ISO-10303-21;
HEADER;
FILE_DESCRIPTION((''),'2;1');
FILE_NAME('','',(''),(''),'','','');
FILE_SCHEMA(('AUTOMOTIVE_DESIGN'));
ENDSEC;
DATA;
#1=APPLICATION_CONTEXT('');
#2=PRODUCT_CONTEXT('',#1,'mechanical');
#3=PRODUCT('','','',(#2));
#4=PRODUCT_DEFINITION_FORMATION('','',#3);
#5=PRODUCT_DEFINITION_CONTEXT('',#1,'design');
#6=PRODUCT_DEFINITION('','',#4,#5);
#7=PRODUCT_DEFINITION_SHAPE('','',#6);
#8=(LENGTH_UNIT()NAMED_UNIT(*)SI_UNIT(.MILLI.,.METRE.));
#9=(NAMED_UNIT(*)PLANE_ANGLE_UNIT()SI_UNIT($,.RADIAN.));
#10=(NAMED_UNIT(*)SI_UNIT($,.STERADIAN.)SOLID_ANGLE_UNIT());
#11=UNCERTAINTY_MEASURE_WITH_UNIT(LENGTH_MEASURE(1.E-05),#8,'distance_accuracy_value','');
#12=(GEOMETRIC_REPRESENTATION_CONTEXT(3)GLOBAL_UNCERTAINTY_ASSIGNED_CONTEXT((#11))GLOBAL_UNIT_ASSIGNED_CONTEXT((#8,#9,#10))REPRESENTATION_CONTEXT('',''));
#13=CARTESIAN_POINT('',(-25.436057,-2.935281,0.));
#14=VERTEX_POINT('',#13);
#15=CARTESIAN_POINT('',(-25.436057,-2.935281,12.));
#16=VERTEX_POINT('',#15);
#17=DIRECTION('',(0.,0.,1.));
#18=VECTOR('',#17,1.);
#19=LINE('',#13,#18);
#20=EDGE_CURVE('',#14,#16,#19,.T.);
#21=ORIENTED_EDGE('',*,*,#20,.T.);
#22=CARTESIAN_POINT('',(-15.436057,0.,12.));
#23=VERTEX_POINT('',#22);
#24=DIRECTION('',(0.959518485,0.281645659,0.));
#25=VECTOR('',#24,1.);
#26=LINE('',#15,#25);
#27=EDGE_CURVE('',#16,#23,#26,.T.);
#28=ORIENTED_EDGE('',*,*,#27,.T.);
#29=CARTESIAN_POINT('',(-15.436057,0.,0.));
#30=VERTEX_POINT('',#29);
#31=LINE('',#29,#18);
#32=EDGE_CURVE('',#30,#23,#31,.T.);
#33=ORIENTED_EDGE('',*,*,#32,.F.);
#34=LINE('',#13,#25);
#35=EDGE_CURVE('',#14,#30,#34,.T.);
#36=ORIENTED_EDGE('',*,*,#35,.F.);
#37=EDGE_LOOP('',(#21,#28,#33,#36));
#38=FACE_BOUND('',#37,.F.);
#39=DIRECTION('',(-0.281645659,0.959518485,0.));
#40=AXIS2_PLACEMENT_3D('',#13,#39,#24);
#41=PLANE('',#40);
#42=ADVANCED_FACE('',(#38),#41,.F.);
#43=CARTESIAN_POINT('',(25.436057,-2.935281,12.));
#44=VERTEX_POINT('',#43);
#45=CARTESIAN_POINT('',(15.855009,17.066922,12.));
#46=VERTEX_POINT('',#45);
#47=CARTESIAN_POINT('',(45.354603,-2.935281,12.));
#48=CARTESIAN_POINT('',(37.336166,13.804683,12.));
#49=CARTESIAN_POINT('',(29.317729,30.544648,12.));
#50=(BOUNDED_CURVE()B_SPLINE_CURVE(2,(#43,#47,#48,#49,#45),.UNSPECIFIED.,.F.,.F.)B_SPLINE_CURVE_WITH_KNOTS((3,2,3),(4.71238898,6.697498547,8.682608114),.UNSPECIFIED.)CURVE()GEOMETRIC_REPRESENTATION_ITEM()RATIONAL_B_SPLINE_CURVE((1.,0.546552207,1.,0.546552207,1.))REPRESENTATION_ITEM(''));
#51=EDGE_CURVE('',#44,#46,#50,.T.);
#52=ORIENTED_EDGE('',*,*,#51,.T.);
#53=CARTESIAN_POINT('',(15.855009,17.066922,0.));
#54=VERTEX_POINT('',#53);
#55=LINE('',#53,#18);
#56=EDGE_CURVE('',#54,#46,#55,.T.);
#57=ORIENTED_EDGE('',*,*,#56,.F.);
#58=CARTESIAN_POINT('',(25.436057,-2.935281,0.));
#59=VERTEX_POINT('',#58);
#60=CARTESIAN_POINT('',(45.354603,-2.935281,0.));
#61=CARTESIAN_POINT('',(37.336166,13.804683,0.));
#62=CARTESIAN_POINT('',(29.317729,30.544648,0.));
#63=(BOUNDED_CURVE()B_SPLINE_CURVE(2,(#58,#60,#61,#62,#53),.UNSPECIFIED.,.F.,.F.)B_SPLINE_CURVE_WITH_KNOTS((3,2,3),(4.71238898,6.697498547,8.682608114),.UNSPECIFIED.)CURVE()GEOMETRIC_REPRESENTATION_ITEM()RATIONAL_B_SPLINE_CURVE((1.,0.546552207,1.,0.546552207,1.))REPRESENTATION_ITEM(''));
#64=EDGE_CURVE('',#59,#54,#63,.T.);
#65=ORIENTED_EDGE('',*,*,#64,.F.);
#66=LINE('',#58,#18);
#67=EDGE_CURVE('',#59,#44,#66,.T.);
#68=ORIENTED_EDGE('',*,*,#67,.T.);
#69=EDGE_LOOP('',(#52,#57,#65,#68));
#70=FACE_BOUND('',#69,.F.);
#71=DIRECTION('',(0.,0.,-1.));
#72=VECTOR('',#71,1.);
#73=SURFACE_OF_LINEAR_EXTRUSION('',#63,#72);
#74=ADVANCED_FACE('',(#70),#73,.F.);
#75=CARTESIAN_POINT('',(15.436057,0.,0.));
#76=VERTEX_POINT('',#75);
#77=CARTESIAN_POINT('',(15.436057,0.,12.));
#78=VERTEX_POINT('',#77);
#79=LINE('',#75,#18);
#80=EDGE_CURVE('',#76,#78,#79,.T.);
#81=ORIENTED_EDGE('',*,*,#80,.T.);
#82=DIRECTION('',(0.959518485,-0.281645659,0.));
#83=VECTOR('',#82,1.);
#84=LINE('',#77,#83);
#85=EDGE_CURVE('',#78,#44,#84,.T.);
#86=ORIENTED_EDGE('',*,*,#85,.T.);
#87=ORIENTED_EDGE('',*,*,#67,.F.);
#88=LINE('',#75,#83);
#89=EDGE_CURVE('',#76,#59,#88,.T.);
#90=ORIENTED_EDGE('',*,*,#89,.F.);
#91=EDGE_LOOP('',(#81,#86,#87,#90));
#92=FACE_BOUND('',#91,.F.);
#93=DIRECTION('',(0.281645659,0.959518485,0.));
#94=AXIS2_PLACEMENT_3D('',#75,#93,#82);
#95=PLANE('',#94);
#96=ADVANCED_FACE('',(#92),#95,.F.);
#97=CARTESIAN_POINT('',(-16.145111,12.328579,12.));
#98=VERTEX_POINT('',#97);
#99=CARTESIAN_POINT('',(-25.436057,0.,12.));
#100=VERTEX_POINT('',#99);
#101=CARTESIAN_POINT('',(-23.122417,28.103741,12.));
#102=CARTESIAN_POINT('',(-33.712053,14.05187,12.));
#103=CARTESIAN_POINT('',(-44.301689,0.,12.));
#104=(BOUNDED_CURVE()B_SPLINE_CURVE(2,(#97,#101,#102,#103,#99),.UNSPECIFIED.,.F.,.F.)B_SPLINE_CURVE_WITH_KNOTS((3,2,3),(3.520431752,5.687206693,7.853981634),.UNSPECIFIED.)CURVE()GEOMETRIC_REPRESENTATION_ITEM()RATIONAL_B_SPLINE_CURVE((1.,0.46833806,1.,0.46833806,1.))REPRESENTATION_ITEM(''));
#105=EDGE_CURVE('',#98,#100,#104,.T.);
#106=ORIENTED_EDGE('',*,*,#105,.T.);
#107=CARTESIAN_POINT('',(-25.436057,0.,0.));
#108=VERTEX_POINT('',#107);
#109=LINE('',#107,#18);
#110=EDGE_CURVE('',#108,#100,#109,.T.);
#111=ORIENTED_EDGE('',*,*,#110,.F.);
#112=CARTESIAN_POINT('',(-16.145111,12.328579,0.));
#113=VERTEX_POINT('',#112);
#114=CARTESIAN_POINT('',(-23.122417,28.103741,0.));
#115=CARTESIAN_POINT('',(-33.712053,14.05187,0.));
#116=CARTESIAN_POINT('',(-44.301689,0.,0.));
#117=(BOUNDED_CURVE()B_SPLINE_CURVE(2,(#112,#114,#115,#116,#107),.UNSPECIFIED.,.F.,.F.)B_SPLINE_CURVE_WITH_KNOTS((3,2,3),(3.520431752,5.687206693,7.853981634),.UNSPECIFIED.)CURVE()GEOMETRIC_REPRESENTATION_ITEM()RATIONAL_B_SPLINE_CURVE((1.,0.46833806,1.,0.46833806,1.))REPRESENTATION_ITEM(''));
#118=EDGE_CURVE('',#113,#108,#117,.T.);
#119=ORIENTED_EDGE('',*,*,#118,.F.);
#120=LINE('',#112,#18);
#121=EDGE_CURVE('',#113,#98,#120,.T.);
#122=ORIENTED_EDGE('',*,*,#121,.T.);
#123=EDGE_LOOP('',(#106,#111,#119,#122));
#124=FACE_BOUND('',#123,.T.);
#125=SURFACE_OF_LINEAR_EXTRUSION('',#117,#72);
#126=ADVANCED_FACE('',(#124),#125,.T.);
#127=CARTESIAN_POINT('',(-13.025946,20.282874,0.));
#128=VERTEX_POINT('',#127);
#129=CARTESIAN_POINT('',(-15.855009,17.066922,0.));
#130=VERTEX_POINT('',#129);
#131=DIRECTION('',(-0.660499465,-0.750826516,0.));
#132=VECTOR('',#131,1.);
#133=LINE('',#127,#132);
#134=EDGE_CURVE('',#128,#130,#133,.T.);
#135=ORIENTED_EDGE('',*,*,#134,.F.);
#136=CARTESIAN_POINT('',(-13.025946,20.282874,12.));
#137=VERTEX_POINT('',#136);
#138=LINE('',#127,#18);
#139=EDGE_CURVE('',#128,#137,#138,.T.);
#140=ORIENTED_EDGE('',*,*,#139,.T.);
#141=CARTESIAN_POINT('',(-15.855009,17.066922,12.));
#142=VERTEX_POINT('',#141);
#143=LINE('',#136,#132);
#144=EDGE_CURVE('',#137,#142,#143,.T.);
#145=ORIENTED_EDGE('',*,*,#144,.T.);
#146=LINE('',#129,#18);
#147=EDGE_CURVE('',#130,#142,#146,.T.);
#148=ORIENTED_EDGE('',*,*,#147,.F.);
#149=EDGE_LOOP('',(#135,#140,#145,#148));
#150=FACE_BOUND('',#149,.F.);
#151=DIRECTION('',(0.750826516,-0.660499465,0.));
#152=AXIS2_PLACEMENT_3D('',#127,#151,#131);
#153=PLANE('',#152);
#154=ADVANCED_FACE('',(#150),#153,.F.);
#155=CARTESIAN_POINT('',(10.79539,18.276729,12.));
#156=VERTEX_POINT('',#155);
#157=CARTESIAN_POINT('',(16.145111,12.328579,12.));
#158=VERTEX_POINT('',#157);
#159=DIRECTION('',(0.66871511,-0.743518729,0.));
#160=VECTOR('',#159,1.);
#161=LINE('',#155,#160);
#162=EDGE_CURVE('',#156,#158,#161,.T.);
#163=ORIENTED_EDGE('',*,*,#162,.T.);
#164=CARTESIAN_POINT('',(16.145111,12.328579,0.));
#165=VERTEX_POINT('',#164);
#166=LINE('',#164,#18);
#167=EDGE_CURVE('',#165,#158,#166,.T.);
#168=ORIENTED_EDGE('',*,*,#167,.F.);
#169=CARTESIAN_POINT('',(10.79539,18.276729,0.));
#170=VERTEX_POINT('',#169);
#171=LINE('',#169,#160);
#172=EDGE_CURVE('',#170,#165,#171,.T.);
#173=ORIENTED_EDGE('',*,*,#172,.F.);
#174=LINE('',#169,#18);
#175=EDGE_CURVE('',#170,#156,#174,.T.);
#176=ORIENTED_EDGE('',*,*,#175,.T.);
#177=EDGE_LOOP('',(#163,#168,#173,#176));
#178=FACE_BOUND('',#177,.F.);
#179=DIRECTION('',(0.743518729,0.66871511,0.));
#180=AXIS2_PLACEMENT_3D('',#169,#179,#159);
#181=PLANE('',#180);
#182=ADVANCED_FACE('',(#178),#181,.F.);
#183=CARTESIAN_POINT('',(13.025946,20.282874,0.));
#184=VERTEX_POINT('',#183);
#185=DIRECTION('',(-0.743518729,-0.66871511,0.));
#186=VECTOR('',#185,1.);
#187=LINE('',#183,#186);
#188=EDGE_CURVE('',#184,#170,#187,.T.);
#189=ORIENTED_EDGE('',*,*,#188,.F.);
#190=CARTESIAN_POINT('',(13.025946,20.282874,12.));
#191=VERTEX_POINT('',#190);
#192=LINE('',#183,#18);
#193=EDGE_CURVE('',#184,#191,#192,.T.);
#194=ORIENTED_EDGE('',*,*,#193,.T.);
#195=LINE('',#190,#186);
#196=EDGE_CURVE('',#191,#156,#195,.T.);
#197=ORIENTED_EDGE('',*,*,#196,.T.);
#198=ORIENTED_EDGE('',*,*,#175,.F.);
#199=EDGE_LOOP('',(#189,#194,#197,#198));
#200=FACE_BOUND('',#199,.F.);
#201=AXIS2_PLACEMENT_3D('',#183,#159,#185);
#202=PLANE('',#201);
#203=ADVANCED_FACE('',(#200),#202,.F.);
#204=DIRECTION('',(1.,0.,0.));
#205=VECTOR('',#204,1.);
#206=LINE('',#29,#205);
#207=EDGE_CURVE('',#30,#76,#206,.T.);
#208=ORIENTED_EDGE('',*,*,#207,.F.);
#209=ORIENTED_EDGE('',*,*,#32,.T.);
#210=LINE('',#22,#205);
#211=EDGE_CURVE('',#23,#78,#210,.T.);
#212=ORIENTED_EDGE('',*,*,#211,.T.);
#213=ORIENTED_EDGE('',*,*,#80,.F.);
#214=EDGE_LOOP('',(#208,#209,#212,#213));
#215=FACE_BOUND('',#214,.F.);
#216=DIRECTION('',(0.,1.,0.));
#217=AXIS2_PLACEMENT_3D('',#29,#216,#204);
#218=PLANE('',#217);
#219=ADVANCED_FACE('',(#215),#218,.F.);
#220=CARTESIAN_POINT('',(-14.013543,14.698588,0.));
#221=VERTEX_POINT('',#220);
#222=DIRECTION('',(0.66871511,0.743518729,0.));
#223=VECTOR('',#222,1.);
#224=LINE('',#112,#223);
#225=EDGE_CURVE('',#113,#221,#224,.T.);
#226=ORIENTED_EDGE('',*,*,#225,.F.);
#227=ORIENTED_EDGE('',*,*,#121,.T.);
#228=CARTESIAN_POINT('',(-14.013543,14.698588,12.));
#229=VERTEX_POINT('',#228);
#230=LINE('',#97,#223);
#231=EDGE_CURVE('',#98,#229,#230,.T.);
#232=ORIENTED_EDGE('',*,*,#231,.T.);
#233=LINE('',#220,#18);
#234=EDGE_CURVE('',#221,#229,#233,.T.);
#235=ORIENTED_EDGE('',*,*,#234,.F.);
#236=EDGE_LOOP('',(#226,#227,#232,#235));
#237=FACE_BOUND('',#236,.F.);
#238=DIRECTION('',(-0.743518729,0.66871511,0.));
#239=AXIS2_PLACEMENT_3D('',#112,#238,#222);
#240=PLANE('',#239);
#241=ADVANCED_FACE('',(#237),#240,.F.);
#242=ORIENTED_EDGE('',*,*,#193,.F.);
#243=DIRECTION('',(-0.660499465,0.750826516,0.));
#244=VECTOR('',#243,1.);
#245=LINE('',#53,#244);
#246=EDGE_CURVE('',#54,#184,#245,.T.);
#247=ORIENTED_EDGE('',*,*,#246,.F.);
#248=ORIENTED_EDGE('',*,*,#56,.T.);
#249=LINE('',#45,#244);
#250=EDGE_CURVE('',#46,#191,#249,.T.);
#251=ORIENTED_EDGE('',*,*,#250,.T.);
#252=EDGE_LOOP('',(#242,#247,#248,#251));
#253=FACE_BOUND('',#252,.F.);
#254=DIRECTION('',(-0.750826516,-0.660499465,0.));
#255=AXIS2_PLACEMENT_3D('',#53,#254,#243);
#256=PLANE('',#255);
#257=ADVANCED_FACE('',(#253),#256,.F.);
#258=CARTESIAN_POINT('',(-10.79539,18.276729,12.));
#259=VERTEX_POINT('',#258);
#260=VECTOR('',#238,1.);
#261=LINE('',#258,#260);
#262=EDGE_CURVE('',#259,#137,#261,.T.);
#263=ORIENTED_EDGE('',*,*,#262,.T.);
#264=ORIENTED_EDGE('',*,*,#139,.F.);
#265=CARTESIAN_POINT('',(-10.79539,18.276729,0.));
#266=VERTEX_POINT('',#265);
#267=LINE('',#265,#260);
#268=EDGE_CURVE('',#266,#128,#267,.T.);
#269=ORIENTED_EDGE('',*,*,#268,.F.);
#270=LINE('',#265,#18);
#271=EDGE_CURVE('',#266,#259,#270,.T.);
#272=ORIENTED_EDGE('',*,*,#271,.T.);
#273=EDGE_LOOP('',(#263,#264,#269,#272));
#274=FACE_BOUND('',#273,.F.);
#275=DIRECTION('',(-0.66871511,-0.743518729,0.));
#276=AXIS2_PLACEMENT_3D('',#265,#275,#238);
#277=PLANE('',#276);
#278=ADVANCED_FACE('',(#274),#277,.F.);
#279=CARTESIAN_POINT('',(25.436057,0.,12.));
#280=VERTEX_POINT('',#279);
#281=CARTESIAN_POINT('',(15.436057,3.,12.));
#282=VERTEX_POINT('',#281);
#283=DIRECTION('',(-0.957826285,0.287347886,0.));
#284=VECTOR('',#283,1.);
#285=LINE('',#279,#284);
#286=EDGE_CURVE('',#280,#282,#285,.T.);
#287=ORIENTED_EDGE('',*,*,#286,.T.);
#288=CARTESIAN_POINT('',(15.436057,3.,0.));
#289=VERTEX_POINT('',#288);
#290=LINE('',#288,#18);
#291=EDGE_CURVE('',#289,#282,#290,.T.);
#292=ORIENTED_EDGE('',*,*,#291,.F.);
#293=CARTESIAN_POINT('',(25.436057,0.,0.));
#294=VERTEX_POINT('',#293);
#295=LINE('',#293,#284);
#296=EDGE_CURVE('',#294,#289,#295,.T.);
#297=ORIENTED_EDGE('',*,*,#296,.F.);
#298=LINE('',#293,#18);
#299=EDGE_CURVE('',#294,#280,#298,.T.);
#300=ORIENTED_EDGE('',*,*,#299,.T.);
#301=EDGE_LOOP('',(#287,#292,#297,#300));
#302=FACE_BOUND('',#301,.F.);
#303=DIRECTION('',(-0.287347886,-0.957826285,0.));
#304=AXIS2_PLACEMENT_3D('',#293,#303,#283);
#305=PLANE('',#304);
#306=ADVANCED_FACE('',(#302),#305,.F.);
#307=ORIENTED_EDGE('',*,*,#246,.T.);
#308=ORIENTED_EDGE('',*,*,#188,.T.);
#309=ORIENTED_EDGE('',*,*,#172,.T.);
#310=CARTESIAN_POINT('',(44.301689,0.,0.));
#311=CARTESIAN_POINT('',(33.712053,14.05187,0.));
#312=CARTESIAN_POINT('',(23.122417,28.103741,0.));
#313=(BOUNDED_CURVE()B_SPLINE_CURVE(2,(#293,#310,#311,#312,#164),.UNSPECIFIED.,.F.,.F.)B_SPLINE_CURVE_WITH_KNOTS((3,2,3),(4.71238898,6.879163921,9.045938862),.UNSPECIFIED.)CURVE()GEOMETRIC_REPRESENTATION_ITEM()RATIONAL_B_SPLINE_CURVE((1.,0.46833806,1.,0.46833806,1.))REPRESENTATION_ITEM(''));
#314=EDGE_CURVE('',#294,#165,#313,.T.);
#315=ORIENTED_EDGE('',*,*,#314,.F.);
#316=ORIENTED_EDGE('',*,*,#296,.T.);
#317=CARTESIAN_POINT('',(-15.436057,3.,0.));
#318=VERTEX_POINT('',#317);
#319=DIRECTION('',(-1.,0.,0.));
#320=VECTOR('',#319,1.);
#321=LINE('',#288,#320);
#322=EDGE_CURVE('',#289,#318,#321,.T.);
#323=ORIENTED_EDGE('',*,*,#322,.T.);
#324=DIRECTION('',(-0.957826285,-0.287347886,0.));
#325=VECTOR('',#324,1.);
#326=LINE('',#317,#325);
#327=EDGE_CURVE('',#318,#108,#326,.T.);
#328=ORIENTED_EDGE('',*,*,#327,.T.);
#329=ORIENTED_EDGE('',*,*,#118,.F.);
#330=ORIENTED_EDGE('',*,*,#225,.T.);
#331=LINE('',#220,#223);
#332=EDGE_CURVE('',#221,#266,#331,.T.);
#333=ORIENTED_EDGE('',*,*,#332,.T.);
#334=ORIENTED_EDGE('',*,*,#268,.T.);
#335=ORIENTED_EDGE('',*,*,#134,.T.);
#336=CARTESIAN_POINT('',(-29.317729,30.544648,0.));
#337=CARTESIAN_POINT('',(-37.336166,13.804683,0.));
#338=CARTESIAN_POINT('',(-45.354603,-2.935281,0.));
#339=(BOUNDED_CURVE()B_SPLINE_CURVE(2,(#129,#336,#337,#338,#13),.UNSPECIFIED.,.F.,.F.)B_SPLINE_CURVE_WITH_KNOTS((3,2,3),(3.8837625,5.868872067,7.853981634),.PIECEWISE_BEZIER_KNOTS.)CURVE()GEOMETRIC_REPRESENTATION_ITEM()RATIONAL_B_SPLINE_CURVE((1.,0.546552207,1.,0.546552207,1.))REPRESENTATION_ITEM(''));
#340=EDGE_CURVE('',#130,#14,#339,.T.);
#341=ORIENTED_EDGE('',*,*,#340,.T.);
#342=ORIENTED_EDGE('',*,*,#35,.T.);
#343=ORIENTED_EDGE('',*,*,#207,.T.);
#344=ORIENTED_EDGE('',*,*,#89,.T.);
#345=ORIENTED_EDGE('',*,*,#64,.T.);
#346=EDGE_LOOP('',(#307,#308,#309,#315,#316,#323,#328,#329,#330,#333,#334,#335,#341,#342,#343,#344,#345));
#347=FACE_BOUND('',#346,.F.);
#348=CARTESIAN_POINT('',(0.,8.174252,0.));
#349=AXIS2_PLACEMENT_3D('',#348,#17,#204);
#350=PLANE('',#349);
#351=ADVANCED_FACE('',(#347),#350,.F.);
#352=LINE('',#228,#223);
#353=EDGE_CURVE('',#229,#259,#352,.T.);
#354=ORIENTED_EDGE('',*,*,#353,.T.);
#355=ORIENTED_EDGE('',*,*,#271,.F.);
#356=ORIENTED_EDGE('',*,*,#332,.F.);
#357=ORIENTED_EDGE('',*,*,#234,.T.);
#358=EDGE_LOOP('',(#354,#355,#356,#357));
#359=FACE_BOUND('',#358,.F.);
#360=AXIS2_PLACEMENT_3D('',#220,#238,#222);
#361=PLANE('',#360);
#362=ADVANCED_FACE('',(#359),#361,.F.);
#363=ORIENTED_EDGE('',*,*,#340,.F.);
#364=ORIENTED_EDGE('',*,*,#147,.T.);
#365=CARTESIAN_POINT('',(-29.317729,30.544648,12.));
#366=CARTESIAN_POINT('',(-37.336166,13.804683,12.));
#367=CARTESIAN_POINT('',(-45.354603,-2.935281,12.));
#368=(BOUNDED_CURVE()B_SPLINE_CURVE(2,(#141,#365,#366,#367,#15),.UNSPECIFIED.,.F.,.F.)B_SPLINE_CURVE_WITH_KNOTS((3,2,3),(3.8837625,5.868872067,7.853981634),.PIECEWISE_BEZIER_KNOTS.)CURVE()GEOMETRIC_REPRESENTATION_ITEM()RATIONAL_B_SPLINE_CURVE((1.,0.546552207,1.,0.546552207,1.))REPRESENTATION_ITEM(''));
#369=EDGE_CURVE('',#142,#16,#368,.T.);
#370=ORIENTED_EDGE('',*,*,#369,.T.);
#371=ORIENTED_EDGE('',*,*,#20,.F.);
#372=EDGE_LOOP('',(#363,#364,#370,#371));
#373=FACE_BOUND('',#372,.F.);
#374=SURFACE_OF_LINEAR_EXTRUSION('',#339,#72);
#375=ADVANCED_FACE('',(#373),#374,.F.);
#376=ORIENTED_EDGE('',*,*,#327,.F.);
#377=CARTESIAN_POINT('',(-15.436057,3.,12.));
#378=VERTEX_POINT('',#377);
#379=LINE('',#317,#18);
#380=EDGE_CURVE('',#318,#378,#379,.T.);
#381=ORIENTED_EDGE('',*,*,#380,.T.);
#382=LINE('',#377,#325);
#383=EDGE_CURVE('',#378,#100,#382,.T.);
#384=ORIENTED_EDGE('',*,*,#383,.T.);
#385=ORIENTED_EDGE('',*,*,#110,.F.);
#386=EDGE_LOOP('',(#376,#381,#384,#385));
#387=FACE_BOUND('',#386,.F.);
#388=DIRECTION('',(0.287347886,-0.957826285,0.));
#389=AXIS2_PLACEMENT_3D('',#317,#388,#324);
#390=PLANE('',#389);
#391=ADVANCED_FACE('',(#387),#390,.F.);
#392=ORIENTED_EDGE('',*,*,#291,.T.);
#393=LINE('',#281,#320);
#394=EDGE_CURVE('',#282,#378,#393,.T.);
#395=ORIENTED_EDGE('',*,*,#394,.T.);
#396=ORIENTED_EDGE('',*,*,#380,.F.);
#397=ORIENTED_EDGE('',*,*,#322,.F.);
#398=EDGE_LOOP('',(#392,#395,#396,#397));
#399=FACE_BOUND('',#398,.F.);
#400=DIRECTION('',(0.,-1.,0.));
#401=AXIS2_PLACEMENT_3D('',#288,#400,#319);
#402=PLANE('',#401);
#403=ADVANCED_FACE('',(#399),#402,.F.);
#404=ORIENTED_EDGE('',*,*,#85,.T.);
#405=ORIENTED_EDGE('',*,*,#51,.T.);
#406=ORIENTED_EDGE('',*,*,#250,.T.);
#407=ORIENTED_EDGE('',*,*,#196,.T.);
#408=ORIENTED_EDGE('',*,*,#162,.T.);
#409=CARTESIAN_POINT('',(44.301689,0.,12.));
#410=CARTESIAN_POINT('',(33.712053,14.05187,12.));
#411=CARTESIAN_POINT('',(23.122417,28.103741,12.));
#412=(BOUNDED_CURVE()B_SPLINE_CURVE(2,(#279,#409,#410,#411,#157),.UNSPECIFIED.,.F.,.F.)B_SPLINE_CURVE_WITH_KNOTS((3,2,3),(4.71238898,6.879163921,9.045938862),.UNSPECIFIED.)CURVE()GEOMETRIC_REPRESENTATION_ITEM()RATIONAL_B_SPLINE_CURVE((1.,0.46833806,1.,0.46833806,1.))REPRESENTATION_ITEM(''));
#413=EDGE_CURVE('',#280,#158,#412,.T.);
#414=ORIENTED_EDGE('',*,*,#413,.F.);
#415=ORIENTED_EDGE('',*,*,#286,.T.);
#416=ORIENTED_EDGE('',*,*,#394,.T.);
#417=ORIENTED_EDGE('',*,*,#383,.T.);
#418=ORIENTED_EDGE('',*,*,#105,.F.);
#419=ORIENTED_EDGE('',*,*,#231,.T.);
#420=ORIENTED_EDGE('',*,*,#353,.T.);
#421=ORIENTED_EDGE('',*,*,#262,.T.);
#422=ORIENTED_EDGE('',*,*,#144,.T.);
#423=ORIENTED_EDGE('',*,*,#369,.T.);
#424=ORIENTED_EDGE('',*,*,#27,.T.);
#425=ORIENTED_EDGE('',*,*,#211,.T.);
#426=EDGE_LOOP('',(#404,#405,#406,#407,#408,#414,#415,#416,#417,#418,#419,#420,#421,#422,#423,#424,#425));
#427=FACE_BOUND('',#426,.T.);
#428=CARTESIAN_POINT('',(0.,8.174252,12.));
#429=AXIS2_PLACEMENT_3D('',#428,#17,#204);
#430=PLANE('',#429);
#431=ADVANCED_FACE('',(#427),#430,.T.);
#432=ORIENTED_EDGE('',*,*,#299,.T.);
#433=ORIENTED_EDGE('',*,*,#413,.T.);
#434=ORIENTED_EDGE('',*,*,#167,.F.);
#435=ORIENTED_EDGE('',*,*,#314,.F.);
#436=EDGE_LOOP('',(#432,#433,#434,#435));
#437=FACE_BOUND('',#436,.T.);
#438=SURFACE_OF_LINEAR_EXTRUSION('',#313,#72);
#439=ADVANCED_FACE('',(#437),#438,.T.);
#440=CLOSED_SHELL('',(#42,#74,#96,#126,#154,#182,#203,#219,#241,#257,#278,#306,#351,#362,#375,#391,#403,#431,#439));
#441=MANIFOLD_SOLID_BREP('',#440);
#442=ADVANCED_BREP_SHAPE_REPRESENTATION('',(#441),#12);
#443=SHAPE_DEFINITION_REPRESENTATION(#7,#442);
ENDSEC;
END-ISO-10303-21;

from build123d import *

# Parameters (mm, degrees)
F1_DEPTH = 12


with BuildPart() as f1:
    # F0 (on Top) → F1 (new body)
    with BuildSketch(Plane.XY):
        with BuildLine():
            Line((-15.4360572198, 0), (0, 0))
            Line((0, 0), (15.4360572198, 0))
            Line((15.4360572198, 0), (25.4360572198, -2.935281219))
            add(Edge.make_bspline(
                [(25.4360572198, -2.935281219), (45.3546034865, -2.935281219), (37.3361662119, 13.8046831595), (29.3177289374, 30.544647538), (15.8550088605, 17.0669215483)],
                knots=[4.7123889804, 4.7123889804, 4.7123889804, 6.6974985472, 6.6974985472, 8.6826081139, 8.6826081139, 8.6826081139], degree=2, weights=[1, 0.546552207, 1, 0.546552207, 1]))
            Line((15.8550088605, 17.0669215483), (13.0259464071, 20.2828743527))
            Line((13.0259464071, 20.2828743527), (10.7953902187, 18.2767290214))
            Line((10.7953902187, 18.2767290214), (16.1451111023, 12.3285791857))
            add(Edge.make_bspline(
                [(25.4360572198, 0), (44.3016893473, 0), (33.7120530262, 14.0518703135), (23.1224167051, 28.103740627), (16.1451111023, 12.3285791857)],
                knots=[4.7123889804, 4.7123889804, 4.7123889804, 6.8791639212, 6.8791639212, 9.0459388621, 9.0459388621, 9.0459388621], degree=2, weights=[1, 0.4683380597, 1, 0.4683380597, 1]))
            Line((25.4360572198, 0), (15.4360572198, 3))
            Line((15.4360572198, 3), (0, 3))
            Line((0, 3), (-15.4360572198, 3))
            Line((-15.4360572198, 3), (-25.4360572198, 0))
            add(Edge.make_bspline(
                [(-16.1451111023, 12.3285791857), (-23.1224167051, 28.103740627), (-33.7120530262, 14.0518703135), (-44.3016893473, 0), (-25.4360572198, 0)],
                knots=[3.5204317523, 3.5204317523, 3.5204317523, 5.6872066931, 5.6872066931, 7.853981634, 7.853981634, 7.853981634], degree=2, weights=[1, 0.4683380597, 1, 0.4683380597, 1]))
            Line((-16.1451111023, 12.3285791857), (-14.0135432559, 14.6985878668))
            Line((-14.0135432559, 14.6985878668), (-10.7953902187, 18.2767290214))
            Line((-10.7953902187, 18.2767290214), (-13.0259464071, 20.2828743527))
            Line((-13.0259464071, 20.2828743527), (-15.8550088605, 17.0669215483))
            add(Edge.make_bspline(
                [(-15.8550088605, 17.0669215483), (-29.3177289374, 30.544647538), (-37.3361662119, 13.8046831595), (-45.3546034865, -2.935281219), (-25.4360572198, -2.935281219)],
                knots=[3.8837625004, 3.8837625004, 3.8837625004, 5.8688720672, 5.8688720672, 7.853981634, 7.853981634, 7.853981634], degree=2, weights=[1, 0.546552207, 1, 0.546552207, 1]))
            Line((-25.4360572198, -2.935281219), (-15.4360572198, 0))
        make_face()
    extrude(amount=F1_DEPTH)


solid = f1.part
